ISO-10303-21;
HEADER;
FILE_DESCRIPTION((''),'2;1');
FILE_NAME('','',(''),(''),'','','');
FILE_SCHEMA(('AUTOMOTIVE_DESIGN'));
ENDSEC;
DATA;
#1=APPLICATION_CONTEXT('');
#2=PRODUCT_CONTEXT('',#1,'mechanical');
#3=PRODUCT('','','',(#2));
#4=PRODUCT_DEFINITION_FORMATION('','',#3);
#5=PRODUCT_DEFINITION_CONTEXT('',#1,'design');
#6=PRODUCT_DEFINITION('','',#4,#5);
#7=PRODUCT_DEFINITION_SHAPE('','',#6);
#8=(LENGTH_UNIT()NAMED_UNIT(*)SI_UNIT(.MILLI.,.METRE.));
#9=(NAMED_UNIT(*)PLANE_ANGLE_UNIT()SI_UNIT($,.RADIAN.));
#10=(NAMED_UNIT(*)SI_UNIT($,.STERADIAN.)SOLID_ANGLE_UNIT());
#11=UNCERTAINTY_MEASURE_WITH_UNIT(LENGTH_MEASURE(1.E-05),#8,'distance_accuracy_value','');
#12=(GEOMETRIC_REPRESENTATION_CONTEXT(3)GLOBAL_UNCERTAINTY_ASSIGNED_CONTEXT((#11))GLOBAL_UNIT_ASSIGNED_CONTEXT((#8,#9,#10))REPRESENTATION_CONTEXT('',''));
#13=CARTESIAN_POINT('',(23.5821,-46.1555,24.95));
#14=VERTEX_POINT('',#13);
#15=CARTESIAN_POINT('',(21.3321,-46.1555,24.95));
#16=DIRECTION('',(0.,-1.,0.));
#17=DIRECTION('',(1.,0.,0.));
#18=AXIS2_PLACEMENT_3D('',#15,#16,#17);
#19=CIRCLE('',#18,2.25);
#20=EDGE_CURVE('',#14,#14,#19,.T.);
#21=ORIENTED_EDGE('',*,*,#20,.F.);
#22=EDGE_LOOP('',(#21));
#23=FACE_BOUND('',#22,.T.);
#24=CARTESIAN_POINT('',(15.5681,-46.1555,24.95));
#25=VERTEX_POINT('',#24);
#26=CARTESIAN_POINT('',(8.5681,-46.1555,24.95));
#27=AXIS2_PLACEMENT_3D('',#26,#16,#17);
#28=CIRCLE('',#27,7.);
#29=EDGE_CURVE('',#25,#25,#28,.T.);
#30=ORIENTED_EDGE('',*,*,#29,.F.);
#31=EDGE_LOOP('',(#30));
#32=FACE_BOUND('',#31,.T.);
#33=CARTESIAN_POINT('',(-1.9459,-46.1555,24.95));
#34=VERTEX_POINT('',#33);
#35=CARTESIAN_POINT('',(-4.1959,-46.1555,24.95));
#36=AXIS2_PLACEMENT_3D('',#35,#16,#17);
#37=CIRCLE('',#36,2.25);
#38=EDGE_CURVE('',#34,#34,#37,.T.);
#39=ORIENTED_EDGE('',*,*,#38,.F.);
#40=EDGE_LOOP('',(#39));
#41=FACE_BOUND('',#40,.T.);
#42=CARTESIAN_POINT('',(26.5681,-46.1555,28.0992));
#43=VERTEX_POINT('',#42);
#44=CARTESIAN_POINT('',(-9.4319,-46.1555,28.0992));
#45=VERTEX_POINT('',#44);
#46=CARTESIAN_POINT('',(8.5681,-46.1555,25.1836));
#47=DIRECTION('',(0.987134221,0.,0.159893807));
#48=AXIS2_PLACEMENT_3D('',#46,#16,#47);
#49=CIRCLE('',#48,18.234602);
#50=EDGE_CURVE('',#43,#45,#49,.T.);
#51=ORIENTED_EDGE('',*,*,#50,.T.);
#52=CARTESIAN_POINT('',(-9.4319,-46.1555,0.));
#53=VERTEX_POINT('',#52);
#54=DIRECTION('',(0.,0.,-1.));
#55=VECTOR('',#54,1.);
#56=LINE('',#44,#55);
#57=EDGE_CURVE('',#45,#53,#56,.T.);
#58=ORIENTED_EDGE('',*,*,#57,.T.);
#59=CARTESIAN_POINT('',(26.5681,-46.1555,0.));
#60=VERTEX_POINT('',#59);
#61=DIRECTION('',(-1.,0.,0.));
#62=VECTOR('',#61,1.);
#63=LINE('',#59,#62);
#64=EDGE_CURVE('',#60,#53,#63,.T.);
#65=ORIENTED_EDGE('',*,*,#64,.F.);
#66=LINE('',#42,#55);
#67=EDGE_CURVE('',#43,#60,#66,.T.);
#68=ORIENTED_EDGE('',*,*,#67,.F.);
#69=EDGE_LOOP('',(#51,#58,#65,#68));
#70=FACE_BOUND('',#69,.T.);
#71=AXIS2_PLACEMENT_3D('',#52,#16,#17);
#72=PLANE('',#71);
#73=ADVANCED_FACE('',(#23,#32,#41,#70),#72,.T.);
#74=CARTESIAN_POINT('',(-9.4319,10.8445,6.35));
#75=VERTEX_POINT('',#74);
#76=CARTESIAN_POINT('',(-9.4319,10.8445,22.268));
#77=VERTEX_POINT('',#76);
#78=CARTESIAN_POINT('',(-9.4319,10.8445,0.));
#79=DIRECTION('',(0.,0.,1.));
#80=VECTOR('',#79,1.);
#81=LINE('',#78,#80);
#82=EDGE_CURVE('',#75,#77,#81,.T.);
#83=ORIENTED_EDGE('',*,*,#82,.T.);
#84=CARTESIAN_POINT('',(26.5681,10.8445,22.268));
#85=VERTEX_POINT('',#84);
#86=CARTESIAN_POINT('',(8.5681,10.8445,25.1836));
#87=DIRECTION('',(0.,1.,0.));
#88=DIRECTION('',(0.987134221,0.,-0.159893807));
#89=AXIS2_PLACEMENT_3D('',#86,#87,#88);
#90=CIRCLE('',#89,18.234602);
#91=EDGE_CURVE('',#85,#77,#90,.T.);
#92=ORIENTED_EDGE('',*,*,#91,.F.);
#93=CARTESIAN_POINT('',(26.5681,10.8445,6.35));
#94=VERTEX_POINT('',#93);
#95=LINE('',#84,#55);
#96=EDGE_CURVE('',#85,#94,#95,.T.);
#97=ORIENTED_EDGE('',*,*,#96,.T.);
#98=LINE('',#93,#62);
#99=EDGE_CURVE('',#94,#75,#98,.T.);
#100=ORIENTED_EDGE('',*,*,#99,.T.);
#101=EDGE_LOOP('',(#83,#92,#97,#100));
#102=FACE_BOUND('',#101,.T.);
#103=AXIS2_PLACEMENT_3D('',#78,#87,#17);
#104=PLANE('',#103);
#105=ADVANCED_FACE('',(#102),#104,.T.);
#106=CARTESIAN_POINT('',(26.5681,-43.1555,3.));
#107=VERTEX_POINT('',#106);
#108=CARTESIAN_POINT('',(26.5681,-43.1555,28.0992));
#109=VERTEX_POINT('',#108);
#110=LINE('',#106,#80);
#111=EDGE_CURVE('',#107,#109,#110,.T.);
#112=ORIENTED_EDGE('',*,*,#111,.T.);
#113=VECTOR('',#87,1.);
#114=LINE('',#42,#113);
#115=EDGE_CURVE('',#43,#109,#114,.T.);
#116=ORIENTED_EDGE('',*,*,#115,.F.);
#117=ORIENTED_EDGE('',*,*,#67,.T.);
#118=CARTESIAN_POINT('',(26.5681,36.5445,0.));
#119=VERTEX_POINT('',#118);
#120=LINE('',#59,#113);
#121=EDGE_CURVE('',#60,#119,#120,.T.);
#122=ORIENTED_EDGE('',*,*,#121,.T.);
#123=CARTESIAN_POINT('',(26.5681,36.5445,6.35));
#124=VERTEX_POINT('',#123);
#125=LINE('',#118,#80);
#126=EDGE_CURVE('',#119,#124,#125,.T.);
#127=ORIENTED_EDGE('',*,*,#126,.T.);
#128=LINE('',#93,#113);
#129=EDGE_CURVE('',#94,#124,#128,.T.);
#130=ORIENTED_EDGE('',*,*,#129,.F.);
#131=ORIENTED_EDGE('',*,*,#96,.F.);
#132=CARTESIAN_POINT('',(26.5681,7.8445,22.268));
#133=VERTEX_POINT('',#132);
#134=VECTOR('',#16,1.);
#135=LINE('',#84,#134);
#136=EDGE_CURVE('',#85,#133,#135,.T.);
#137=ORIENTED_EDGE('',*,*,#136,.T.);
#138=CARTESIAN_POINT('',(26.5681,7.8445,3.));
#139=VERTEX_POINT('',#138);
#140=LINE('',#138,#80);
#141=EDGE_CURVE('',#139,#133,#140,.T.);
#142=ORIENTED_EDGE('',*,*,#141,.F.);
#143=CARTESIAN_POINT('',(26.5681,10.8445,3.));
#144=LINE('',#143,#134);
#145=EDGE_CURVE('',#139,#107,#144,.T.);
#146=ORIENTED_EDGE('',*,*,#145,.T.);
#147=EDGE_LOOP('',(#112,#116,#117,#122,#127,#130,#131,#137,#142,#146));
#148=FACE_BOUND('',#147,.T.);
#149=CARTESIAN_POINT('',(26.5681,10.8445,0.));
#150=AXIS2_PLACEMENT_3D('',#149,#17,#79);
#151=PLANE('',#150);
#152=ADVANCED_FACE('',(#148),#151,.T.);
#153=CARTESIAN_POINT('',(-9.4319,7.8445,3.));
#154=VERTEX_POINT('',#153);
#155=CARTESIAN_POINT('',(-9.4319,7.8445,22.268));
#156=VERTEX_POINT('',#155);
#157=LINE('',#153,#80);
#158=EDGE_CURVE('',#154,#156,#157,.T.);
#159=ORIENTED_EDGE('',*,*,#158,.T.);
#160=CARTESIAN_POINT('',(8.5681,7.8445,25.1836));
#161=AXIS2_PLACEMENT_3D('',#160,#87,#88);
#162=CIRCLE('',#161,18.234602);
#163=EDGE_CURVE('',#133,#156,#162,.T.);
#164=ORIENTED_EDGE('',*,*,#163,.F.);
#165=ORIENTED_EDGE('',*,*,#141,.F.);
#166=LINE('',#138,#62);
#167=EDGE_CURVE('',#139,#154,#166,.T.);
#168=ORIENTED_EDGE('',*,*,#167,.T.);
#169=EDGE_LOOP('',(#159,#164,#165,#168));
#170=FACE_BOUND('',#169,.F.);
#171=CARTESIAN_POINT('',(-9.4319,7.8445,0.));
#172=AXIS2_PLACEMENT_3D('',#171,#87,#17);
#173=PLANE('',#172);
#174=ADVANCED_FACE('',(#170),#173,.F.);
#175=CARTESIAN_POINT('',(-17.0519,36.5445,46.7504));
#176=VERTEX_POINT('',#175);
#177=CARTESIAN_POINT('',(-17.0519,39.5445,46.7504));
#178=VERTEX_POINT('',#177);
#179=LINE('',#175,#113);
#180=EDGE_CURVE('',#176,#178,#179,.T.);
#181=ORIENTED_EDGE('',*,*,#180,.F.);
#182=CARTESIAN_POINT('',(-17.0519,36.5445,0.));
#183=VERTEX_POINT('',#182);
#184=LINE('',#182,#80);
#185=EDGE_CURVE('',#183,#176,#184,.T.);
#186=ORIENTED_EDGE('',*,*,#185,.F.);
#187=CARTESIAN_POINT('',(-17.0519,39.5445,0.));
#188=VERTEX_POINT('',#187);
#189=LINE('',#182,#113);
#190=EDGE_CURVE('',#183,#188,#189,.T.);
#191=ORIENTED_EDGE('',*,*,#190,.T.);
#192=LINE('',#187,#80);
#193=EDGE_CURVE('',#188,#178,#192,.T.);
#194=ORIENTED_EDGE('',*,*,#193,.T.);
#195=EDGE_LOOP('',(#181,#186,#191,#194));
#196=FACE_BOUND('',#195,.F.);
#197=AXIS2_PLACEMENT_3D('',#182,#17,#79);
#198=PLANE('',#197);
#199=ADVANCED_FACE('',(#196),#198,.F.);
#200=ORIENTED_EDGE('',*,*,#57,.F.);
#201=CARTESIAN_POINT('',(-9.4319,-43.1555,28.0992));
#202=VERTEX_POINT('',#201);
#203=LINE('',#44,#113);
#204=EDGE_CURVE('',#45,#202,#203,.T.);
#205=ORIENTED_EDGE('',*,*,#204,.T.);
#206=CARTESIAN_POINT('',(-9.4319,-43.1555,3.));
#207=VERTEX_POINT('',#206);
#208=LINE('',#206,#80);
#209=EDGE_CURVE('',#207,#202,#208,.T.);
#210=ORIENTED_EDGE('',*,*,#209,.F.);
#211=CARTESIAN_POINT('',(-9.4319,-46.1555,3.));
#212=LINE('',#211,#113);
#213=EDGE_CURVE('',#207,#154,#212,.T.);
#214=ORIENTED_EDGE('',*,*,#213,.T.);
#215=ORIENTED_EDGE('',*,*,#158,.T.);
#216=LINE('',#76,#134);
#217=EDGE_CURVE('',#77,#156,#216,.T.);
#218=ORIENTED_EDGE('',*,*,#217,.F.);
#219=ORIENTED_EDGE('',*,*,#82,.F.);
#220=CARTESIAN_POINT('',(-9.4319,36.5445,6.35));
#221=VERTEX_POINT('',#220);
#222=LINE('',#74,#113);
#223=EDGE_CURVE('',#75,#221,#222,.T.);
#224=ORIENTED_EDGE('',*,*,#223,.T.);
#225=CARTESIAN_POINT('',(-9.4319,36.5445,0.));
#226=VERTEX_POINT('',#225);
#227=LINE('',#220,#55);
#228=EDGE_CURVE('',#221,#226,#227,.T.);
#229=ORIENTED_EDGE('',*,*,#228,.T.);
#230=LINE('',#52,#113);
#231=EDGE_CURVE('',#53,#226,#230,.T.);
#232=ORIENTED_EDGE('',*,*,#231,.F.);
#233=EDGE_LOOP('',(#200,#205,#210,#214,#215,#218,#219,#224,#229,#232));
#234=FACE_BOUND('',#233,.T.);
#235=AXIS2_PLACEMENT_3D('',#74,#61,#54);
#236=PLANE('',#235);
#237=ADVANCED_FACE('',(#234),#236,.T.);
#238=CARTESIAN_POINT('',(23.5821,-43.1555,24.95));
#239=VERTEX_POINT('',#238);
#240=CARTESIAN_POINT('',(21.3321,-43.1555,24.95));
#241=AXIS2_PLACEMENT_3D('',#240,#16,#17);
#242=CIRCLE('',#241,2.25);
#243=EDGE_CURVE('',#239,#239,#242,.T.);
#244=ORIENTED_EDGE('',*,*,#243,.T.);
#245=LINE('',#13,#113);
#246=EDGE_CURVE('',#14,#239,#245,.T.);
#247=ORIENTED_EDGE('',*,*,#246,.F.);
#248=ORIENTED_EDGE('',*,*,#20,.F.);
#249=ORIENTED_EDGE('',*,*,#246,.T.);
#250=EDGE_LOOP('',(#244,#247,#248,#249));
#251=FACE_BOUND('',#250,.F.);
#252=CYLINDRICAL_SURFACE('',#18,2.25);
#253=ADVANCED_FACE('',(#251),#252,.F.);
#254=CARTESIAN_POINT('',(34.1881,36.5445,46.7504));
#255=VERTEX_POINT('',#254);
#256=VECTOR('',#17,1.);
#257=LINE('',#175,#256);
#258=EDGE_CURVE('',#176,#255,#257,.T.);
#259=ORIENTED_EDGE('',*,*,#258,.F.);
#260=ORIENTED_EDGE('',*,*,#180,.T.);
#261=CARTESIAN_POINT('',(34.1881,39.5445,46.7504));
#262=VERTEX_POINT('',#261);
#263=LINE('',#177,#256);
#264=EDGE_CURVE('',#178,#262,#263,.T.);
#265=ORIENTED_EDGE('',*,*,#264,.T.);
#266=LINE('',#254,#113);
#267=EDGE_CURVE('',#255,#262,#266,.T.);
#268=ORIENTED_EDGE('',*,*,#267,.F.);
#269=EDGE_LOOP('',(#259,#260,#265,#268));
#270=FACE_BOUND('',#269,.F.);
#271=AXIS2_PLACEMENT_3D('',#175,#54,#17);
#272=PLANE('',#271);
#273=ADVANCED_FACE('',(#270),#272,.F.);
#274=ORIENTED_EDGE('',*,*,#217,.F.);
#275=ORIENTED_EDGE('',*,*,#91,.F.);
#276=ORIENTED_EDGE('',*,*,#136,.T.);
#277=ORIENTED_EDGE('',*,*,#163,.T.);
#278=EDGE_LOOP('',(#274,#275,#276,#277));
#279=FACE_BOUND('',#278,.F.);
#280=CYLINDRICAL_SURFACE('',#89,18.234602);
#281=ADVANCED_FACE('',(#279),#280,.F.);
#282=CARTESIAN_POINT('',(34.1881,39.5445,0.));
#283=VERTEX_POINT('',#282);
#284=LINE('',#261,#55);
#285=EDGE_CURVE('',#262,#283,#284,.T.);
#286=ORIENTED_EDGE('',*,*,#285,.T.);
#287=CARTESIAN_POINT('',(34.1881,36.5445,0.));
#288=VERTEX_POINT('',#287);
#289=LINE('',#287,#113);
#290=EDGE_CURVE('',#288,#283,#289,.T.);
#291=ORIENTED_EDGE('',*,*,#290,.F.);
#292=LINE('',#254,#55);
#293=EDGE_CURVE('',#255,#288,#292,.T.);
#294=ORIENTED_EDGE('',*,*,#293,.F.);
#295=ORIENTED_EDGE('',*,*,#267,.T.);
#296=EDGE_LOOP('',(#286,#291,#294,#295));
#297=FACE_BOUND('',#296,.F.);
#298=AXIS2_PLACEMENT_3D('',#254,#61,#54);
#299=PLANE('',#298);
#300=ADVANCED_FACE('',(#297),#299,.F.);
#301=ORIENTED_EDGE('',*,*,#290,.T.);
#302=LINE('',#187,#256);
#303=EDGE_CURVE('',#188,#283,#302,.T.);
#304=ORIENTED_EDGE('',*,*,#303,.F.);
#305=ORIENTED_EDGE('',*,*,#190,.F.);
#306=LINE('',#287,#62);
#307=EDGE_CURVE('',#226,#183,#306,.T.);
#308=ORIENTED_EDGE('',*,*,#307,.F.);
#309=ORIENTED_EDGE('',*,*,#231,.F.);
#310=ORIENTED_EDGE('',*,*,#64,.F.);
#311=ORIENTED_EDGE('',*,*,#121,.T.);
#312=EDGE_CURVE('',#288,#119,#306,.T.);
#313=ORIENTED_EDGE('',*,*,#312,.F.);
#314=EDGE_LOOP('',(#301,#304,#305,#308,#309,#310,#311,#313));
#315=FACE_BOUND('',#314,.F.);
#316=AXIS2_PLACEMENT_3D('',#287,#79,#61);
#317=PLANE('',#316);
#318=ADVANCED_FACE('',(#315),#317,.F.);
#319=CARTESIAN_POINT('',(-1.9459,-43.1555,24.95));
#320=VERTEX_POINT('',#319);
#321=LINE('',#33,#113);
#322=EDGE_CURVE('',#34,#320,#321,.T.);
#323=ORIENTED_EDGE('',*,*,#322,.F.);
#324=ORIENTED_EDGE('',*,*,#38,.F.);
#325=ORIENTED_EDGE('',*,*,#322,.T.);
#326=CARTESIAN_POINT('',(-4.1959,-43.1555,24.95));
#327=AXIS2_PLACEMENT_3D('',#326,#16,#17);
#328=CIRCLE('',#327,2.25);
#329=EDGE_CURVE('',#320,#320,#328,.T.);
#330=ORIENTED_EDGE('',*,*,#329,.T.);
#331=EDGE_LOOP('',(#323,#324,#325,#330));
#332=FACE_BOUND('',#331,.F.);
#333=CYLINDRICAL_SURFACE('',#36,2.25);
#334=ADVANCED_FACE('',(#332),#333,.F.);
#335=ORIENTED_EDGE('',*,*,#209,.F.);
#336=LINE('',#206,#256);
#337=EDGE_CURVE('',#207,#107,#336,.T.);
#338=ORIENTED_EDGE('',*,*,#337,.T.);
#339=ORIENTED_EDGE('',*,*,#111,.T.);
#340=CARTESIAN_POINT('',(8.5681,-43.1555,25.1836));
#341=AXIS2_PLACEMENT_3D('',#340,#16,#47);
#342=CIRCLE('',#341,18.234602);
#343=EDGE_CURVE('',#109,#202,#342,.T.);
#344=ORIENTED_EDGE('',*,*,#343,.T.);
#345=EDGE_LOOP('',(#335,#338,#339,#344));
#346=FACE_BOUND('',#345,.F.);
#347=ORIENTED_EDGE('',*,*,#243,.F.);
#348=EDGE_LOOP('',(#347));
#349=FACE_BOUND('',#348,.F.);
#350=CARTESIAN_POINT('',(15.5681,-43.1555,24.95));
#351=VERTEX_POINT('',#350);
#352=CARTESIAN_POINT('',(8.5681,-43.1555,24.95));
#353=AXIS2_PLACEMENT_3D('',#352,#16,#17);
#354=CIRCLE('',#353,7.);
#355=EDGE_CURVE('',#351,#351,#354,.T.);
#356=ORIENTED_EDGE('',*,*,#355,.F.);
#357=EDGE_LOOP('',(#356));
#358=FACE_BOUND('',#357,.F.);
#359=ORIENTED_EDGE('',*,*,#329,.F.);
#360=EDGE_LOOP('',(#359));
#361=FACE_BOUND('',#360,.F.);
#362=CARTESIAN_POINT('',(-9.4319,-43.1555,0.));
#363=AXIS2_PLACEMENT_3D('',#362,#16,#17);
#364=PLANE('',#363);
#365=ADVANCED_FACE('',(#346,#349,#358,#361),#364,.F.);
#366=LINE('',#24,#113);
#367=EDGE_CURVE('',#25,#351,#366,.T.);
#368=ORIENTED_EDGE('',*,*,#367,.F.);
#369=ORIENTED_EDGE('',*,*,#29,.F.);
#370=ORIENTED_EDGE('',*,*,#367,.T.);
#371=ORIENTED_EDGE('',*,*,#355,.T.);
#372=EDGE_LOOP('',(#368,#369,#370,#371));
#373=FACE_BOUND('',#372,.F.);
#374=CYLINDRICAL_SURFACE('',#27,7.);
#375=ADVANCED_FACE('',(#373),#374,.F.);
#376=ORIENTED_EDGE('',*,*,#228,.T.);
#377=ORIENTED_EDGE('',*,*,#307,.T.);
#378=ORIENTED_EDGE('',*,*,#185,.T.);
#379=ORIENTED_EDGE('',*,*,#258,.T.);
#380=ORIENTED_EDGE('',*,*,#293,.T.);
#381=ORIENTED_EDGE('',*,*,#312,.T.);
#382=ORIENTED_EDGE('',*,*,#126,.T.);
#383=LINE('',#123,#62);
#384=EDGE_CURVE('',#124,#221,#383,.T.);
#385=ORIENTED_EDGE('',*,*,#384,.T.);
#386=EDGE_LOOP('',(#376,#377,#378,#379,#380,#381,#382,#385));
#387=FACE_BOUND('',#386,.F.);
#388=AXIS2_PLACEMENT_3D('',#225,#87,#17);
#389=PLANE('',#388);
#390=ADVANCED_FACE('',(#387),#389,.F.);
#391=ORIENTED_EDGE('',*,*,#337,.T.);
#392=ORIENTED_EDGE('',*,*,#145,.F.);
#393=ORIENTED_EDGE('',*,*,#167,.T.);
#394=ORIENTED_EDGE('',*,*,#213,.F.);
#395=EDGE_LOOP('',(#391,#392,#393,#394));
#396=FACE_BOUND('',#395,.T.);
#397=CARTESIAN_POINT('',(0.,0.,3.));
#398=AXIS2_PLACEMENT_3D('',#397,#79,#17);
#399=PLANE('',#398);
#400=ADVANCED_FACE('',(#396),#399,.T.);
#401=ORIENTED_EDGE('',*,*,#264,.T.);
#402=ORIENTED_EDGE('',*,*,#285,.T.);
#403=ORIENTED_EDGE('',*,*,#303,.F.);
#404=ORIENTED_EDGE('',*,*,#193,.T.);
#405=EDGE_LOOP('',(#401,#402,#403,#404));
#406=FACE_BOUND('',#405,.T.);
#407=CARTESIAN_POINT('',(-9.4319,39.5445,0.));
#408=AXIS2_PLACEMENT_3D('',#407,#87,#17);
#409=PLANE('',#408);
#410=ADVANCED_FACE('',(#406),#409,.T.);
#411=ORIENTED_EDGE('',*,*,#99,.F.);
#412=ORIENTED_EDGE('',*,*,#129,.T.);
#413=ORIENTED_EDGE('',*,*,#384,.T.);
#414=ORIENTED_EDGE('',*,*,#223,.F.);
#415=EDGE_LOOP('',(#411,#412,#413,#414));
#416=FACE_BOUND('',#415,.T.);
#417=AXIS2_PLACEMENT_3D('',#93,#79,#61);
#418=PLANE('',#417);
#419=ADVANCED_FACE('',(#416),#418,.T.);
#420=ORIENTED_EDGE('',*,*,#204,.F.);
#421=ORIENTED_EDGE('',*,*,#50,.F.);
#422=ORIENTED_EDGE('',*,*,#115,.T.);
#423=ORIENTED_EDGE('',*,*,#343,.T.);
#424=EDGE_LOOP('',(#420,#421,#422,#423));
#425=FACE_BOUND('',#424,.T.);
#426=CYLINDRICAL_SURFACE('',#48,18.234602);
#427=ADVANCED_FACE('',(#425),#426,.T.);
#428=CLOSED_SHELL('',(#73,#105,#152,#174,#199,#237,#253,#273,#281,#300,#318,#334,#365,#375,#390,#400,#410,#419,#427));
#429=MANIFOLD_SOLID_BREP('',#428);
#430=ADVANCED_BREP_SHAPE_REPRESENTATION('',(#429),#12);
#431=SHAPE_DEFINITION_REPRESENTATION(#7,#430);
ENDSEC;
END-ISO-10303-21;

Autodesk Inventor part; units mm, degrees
ref_plane "YZ Plane" through (0, 0, 0) normal (1, 0, 0) x (0, 1, 0)
ref_plane "XZ Plane" through (0, 0, 0) normal (0, 1, 0) x (-1, 0, 0)
ref_plane "XY Plane" through (0, 0, 0) normal (0, 0, 1) x (1, 0, 0)
sketch "Sketch1" plane through (0, 0, 0) normal (0, 0, 1) x (1, 0, 0)
  line L0 (-9.4319, 10.8445) -> (26.5681, 10.8445)
  line L1 (26.5681, 10.8445) -> (26.5681, -46.1555)
  line L2 (26.5681, -46.1555) -> (-9.4319, -46.1555)
  line L3 (-9.4319, -46.1555) -> (-9.4319, 10.8445)
  point P0 (0, 0)
  dimension "d0" = 36
  dimension "d1" = 57
extrude "Extrusion1" add sketch "Sketch1" along normal blind 3
sketch "Sketch2" plane through (-9.4319, 10.8445, 0) normal (0, 1, 0) x (1, 0, 0)
  line L0 (0, 0) -> (36, 0) construction
  line L1 (0, -3) -> (0, -22.268)
  line L2 (36, -3) -> (36, -22.268)
  line L3 (18, 0) -> (18, -6.949) construction
  arc A0 (36, -22.268) -> (0, -22.268) centre (18, -25.1836) ccw
  line L4 (36, -3) -> (0, -3) projected
  line L5 (36, -3) -> (0, -3)
  point P0 (9.4319, 0)
  dimension "d4" = 22.268
  dimension "d5" = 6.949
extrude "Extrusion2" add sketch "Sketch2" against normal blind 3
sketch "Sketch3" plane through (-9.4319, -46.1555, 0) normal (0, -1, 0) x (1, 0, 0)
  line L0 (0, 0) -> (0, 22.268) construction
  line L1 (36, 0) -> (36, 22.268) construction
  arc A0 (36, 28.0992) -> (0, 28.0992) centre (18, 25.1836) ccw
  line L2 (0, 22.268) -> (0, 28.0992)
  line L3 (36, 22.268) -> (36, 28.0992)
  line L4 (0, 3) -> (36, 3) projected
  arc A1 (0, 22.268) -> (36, 22.268) centre (18, 25.1836) ccw construction
  line L5 (0, 3) -> (0, 22.268)
  line L6 (36, 3) -> (36, 22.268)
  line L7 (0, 3) -> (36, 3)
  point P0 (9.4319, 0)
extrude "Extrusion3" add sketch "Sketch3" against normal blind 3
sketch "Sketch4" plane through (-9.4319, -46.1555, 0) normal (0, -1, 0) x (1, 0, 0)
  line L0 (0, 0) -> (36, 0) projected
  line L1 (18, 0) -> (18, 17.95) construction
  line L2 (18, 17.95) -> (18, 24.95) construction
  circle A0 centre (18, 24.95) radius 7
  line L3 (7.486, 24.95) -> (5.236, 24.95) construction
  circle A1 centre (5.236, 24.95) radius 2.25
  circle A2 centre (30.764, 24.95) radius 2.25
  point P0 (9.4319, 0)
  dimension "d10" = 17.95
  dimension "d11" = 7
  dimension "d13" = 2.25
extrude "Extrusion4" cut sketch "Sketch4" against normal blind 3
sketch "Sketch5" plane through (-9.4319, 10.8445, 0) normal (0, 1, 0) x (1, 0, 0)
  line L0 (36, 0) -> (0, 0) projected
  line L1 (36, 0) -> (36, -28.0992) projected
  line L2 (0, 0) -> (36, 0)
  line L3 (36, 0) -> (36, -6.35)
  line L4 (36, -6.35) -> (0, -6.35)
  line L5 (0, -6.35) -> (0, 0)
  point P0 (9.4319, 0)
  dimension "d17" = 6.35
extrude "Extrusion5" add sketch "Sketch5" along normal blind 25.7
sketch "Sketch6" plane through (-9.4319, 36.5445, 0) normal (0, 1, 0) x (1, 0, 0)
  line L0 (43.62, 0) -> (-7.62, 0)
  line L1 (-7.62, 0) -> (-7.62, -46.7504)
  line L2 (-7.62, -46.7504) -> (43.62, -46.7504)
  line L3 (43.62, -46.7504) -> (43.62, 0)
  line L4 (36, 0) -> (36, -28.0992) projected
  line L5 (0, 0) -> (0, -28.0992) projected
  dimension "d22" = 7.62
  dimension "d23" = 7.62
extrude "Extrusion6" add sketch "Sketch6" along normal blind 3
properties part number "motor connector"
